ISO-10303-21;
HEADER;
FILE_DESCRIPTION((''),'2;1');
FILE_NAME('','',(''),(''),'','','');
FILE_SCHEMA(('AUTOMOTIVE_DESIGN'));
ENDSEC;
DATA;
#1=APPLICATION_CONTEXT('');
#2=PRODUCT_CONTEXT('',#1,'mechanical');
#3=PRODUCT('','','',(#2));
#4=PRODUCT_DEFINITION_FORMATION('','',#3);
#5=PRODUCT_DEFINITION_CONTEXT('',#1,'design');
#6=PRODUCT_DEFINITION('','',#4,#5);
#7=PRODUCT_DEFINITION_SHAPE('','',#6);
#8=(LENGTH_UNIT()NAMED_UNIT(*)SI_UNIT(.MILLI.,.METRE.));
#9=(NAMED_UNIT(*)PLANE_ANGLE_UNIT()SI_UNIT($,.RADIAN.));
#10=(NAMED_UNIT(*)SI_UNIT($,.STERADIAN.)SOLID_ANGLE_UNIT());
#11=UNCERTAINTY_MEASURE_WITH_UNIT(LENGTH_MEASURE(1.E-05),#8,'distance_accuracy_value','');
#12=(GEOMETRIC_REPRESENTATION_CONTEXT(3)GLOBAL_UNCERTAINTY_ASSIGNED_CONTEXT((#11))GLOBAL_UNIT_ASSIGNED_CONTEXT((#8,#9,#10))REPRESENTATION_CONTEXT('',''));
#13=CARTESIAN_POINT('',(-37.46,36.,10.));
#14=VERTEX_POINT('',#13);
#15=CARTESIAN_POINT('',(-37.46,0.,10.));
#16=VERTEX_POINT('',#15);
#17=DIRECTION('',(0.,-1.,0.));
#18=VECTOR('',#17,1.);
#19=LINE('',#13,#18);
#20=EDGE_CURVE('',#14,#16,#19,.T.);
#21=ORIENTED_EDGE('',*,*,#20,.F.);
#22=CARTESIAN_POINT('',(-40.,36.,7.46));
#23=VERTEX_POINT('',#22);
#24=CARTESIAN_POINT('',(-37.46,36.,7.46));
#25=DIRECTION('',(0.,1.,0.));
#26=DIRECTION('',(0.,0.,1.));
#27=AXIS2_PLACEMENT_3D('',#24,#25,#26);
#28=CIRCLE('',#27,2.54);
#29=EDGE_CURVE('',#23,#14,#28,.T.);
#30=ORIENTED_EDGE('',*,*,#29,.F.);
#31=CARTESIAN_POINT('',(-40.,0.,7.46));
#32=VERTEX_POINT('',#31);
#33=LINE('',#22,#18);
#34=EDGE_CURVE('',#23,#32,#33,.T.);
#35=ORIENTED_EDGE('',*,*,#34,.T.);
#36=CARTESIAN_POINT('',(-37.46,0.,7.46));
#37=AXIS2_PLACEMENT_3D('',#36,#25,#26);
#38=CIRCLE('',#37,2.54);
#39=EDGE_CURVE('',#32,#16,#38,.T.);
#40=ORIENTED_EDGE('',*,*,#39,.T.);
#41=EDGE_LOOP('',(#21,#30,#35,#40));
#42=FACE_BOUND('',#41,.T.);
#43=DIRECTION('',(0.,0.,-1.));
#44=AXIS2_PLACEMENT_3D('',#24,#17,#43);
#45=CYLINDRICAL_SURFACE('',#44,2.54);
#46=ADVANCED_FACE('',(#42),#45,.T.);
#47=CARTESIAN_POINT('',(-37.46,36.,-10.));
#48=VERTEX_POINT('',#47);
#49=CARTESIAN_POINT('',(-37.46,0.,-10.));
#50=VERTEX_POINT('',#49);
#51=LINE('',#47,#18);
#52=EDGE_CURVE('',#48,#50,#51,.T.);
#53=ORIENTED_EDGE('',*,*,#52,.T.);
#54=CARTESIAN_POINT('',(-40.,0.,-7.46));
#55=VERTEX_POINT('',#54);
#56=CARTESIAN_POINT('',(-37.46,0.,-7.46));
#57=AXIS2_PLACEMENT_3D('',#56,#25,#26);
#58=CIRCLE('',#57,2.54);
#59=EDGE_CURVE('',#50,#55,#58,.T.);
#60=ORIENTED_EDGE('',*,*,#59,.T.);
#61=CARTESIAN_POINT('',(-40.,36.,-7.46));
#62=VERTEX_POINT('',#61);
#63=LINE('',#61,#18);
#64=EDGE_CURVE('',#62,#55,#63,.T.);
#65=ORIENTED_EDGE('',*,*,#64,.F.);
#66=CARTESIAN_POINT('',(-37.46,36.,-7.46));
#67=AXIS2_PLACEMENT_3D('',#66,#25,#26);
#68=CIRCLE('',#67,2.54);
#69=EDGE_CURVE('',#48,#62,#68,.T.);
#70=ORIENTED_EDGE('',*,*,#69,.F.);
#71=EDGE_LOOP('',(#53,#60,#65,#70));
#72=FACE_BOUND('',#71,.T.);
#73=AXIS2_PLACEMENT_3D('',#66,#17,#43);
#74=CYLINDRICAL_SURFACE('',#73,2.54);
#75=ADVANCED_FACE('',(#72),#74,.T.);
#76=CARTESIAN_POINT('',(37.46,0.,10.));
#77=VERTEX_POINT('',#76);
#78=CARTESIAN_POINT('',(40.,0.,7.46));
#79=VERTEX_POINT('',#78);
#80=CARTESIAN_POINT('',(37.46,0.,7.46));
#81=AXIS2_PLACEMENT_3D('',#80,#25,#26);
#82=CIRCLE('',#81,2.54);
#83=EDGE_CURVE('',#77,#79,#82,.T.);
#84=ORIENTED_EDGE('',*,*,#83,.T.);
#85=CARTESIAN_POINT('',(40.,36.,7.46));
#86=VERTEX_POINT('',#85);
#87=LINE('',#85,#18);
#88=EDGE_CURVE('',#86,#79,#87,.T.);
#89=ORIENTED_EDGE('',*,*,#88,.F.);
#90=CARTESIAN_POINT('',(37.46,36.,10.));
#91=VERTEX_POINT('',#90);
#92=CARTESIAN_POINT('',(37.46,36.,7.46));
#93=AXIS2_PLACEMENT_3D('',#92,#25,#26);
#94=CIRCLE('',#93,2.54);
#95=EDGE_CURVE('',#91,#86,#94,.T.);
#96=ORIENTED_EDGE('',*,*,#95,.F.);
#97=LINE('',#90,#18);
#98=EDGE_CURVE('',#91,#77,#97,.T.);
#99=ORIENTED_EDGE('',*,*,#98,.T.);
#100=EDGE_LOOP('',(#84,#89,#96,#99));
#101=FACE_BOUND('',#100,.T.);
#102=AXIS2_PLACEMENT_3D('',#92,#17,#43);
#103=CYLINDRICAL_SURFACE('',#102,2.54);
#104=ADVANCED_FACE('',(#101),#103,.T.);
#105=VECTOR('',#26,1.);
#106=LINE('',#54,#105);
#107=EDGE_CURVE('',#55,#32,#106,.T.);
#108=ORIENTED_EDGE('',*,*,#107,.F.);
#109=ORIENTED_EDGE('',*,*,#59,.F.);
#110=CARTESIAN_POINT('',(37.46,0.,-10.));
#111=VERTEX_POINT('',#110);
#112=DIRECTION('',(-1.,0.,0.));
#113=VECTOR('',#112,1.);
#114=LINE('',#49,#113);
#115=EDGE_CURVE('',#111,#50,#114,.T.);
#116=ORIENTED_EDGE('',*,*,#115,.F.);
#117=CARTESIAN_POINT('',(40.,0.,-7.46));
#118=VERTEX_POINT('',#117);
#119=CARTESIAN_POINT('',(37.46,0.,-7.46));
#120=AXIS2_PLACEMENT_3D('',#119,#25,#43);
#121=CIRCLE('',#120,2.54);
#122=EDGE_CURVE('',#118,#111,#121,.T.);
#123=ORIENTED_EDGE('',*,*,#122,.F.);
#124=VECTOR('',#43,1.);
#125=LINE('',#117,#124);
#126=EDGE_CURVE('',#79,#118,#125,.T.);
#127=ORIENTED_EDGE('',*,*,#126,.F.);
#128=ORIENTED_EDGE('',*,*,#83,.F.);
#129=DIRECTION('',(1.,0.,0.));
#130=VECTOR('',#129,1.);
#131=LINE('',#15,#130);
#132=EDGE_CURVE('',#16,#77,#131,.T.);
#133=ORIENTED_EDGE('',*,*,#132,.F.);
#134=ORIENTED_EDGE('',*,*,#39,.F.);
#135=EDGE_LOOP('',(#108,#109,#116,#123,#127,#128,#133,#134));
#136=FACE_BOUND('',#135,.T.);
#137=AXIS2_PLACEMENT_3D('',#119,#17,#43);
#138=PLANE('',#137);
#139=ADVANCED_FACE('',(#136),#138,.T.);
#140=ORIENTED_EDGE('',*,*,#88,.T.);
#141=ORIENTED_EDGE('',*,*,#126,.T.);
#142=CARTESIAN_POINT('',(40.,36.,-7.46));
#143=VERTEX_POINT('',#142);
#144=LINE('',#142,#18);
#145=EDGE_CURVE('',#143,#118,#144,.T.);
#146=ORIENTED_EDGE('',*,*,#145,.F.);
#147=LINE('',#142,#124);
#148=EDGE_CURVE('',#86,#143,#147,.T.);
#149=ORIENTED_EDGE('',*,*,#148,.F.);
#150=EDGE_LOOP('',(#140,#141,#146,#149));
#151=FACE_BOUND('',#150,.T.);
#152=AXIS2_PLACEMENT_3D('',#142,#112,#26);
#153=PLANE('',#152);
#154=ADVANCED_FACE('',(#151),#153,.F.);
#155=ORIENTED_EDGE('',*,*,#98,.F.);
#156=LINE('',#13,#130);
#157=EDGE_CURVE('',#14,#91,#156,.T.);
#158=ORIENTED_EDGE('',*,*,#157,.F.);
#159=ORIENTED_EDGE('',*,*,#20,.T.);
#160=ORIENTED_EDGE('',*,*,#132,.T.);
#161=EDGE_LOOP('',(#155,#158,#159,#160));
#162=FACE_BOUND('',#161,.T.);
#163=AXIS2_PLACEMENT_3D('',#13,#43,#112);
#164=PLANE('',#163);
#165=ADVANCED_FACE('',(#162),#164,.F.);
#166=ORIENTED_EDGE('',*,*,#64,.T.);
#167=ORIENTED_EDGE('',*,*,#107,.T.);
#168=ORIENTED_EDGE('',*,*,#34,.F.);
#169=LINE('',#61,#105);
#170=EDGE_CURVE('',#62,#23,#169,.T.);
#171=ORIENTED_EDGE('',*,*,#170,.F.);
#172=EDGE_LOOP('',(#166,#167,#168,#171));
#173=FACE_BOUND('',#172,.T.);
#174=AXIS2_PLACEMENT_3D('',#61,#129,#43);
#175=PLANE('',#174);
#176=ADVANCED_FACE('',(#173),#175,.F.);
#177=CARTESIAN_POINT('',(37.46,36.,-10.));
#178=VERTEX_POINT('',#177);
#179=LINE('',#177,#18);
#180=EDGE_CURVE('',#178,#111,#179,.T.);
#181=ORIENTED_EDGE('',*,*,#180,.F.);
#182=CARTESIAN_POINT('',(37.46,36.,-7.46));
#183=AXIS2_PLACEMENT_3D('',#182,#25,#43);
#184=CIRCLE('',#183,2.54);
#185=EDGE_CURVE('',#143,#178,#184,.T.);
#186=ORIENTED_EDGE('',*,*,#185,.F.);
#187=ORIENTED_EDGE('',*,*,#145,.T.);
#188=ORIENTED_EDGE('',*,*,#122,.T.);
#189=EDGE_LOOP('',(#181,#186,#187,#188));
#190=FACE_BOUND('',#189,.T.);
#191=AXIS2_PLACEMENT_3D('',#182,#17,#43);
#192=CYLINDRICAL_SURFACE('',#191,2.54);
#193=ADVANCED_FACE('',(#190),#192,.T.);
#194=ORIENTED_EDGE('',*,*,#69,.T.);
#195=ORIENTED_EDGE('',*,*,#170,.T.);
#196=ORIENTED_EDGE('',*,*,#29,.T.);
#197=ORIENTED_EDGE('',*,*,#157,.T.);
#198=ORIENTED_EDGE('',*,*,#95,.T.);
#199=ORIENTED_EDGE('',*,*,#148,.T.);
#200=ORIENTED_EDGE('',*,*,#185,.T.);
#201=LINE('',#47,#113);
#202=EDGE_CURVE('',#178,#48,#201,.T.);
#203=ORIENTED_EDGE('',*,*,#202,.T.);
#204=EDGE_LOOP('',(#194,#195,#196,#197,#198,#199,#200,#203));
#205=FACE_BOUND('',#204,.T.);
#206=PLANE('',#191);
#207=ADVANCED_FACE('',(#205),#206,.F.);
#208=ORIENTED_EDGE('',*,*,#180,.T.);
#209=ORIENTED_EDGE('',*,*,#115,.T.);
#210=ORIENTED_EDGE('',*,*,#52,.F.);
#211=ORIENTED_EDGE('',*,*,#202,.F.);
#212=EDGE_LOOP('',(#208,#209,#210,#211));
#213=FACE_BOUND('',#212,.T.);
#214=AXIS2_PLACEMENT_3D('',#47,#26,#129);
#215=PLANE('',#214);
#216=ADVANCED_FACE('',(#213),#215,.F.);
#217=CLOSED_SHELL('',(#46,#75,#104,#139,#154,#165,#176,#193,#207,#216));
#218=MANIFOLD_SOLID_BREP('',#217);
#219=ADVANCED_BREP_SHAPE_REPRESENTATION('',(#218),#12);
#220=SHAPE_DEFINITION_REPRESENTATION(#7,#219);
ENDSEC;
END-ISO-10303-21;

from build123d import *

# Parameters (mm, degrees)
EXTRUDE_1_DEPTH = 36


with BuildPart() as part:
    # 草图1 → 凸台-拉伸1 (new body)
    with BuildSketch(Plane(origin=(0, 0, 0), x_dir=(1, 0, 0), z_dir=(0, 1, 0))):
        with BuildLine():
            Line((-37.46, 10), (37.46, 10))
            ThreePointArc((37.46, 10), (39.256051224, 9.256051224), (40, 7.46))
            Line((40, 7.46), (40, -7.46))
            ThreePointArc((40, -7.46), (39.256051224, -9.256051224), (37.46, -10))
            Line((37.46, -10), (-37.46, -10))
            ThreePointArc((-37.46, -10), (-39.256051224, -9.256051224), (-40, -7.46))
            Line((-40, -7.46), (-40, 7.46))
            ThreePointArc((-40, 7.46), (-39.256051224, 9.256051224), (-37.46, 10))
        make_face()
    extrude(amount=EXTRUDE_1_DEPTH)


solid = part.part
